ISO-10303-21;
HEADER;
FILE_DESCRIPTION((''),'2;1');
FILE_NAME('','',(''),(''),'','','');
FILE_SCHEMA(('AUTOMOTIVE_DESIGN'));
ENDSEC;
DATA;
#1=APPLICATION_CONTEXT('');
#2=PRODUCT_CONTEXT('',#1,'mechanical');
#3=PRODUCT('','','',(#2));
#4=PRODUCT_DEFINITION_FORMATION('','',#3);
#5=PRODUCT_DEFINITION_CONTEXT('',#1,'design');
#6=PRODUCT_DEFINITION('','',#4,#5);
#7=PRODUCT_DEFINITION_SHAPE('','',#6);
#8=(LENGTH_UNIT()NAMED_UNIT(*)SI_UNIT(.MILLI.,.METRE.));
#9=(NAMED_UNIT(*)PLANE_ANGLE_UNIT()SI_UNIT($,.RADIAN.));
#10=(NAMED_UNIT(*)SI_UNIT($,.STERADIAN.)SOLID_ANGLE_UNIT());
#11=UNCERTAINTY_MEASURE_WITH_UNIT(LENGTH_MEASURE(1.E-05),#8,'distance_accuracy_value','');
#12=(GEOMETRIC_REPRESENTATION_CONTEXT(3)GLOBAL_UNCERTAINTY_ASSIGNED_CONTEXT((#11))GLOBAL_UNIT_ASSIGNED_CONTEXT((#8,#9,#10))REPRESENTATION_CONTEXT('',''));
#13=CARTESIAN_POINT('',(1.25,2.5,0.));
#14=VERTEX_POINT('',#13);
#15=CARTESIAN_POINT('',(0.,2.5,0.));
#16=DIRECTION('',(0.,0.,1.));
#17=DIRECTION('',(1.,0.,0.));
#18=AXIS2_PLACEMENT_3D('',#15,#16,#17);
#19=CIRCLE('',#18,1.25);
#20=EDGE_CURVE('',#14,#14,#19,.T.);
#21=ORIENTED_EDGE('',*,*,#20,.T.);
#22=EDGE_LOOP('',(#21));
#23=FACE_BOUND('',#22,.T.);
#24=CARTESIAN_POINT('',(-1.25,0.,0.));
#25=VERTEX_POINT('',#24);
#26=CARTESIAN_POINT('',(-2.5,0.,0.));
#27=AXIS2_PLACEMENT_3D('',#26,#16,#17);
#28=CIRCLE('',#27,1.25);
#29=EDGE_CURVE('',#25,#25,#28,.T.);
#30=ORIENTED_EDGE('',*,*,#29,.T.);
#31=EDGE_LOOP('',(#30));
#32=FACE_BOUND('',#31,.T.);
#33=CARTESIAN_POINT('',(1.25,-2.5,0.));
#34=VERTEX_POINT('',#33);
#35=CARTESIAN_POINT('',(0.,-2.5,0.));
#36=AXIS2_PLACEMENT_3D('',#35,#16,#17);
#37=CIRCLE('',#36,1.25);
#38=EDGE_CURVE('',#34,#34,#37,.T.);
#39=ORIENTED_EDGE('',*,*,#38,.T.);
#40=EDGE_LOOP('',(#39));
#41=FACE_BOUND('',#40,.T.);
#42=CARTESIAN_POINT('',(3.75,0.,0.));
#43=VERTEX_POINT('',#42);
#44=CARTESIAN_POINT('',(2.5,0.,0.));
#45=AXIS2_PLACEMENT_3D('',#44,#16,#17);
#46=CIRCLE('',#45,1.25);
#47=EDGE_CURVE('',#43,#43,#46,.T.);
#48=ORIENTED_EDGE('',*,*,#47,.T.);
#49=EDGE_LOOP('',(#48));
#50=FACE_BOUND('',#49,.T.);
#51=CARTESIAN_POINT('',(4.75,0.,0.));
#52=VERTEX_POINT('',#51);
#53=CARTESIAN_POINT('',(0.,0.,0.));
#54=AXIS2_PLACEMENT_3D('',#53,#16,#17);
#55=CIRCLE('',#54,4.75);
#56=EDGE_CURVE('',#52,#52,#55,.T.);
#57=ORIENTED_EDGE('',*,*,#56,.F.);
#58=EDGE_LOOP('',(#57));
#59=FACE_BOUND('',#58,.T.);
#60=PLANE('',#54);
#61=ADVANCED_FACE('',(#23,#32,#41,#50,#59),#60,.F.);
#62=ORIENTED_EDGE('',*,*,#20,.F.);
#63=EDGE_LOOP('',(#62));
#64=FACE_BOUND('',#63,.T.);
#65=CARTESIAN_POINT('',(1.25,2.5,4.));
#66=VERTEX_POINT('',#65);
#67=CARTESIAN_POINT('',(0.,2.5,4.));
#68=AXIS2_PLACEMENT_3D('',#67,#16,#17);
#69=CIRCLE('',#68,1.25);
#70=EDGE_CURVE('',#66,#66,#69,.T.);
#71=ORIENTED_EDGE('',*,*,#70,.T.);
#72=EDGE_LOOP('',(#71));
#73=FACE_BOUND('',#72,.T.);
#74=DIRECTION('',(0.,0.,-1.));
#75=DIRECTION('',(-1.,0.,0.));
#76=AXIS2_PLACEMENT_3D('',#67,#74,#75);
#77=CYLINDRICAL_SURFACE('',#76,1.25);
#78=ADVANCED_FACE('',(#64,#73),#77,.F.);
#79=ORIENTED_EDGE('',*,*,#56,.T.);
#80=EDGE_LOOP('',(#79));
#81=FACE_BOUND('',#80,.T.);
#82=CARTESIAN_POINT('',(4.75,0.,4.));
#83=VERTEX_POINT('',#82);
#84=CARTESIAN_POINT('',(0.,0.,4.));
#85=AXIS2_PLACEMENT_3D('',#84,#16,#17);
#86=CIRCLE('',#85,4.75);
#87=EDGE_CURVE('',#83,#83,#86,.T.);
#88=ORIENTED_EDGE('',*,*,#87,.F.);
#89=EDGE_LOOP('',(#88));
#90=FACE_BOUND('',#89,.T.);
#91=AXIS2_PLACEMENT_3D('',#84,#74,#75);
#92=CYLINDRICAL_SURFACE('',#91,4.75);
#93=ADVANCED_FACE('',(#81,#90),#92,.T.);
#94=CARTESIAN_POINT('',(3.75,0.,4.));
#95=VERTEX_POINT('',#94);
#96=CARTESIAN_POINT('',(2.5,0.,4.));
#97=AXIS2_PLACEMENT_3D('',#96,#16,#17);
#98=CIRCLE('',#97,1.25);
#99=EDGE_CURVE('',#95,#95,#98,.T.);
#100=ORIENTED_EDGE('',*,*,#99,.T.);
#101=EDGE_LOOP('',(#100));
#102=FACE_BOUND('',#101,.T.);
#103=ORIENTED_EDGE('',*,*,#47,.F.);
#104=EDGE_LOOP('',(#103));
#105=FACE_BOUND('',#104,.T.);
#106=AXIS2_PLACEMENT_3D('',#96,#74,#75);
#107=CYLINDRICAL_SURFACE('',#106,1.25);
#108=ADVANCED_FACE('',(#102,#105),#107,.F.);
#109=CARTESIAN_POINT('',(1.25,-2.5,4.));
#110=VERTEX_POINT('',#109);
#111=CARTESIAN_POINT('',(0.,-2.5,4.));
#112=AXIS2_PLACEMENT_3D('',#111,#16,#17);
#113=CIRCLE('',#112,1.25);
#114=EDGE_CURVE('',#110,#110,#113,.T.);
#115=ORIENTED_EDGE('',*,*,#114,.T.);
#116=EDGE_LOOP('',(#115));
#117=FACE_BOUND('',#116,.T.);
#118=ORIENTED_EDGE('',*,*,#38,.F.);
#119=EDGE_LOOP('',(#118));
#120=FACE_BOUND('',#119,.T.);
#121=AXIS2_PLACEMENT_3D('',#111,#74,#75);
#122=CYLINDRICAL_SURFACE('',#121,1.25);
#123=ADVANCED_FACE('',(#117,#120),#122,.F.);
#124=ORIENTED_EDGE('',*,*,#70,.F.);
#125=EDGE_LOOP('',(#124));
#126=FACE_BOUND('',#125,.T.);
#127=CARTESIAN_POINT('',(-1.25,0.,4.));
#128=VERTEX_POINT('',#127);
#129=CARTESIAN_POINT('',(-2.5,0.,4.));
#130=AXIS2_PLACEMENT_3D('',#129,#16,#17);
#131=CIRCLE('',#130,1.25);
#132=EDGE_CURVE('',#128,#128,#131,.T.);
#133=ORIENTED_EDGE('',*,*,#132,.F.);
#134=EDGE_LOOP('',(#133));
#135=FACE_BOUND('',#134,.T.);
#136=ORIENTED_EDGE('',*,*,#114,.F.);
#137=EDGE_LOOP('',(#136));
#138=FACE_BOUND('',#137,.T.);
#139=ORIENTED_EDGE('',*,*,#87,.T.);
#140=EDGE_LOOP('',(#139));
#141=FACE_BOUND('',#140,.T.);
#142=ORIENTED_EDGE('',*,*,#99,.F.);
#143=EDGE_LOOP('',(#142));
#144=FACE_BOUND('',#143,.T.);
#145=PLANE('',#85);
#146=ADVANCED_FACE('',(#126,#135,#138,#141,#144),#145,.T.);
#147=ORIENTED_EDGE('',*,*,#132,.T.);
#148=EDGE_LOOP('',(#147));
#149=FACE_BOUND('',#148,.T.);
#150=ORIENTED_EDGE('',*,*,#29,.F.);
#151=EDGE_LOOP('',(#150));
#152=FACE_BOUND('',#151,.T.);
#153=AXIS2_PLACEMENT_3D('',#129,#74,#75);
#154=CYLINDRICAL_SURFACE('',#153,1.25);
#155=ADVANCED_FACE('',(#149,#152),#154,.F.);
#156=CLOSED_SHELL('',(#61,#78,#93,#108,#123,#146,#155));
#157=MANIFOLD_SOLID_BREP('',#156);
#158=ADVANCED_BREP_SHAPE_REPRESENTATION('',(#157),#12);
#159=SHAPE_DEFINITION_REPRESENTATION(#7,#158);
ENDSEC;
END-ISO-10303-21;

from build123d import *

# Parameters (mm, degrees)
CROQUIS1_R              = 4.75
SALIENTE_EXTRUIR1_DEPTH = 4


with BuildPart() as part:
    # Croquis1 → Saliente-Extruir1 (new body)
    # profile 1 of 2: a face of its own
    with BuildSketch(Plane.XY):
        Circle(CROQUIS1_R)
        with BuildLine():
            ThreePointArc((-2.1875, 1.210307296), (-1.767766953, 1.767766953), (-1.210307296, 2.1875))
            ThreePointArc((-1.210307296, 2.1875), (-0.157505366, 3.74003712), (1.25, 2.5))
            ThreePointArc((1.25, 2.5), (1.24003712, 2.342494634), (1.210307296, 2.1875))
            ThreePointArc((1.210307296, 2.1875), (1.767766953, 1.767766953), (2.1875, 1.210307296))
            ThreePointArc((2.1875, 1.210307296), (3.265465545, 0.988211769), (3.75, 0))
            ThreePointArc((3.75, 0), (3.265465545, -0.988211769), (2.1875, -1.210307296))
            ThreePointArc((2.1875, -1.210307296), (1.767766953, -1.767766953), (1.210307296, -2.1875))
            ThreePointArc((1.210307296, -2.1875), (1.24003712, -2.342494634), (1.25, -2.5))
            ThreePointArc((1.25, -2.5), (-0.157505366, -3.74003712), (-1.210307296, -2.1875))
            ThreePointArc((-1.210307296, -2.1875), (-1.767766953, -1.767766953), (-2.1875, -1.210307296))
            ThreePointArc((-2.1875, -1.210307296), (-3.75, 0), (-2.1875, 1.210307296))
        make_face(mode=Mode.SUBTRACT)
    # profile 2 of 2: a face of its own
    with BuildSketch(Plane.XY):
        with BuildLine():
            ThreePointArc((1.210307296, 2.1875), (0, 1.25), (-1.210307296, 2.1875))
            ThreePointArc((-1.210307296, 2.1875), (-1.767766953, 1.767766953), (-2.1875, 1.210307296))
            ThreePointArc((-2.1875, 1.210307296), (-1.511788231, 0.765465545), (-1.25, 0))
            ThreePointArc((-1.25, 0), (-1.511788231, -0.765465545), (-2.1875, -1.210307296))
            ThreePointArc((-2.1875, -1.210307296), (-1.767766953, -1.767766953), (-1.210307296, -2.1875))
            ThreePointArc((-1.210307296, -2.1875), (0, -1.25), (1.210307296, -2.1875))
            ThreePointArc((1.210307296, -2.1875), (1.767766953, -1.767766953), (2.1875, -1.210307296))
            ThreePointArc((2.1875, -1.210307296), (1.25, 0), (2.1875, 1.210307296))
            ThreePointArc((2.1875, 1.210307296), (1.767766953, 1.767766953), (1.210307296, 2.1875))
        make_face()
    extrude(amount=SALIENTE_EXTRUIR1_DEPTH)


solid = part.part
